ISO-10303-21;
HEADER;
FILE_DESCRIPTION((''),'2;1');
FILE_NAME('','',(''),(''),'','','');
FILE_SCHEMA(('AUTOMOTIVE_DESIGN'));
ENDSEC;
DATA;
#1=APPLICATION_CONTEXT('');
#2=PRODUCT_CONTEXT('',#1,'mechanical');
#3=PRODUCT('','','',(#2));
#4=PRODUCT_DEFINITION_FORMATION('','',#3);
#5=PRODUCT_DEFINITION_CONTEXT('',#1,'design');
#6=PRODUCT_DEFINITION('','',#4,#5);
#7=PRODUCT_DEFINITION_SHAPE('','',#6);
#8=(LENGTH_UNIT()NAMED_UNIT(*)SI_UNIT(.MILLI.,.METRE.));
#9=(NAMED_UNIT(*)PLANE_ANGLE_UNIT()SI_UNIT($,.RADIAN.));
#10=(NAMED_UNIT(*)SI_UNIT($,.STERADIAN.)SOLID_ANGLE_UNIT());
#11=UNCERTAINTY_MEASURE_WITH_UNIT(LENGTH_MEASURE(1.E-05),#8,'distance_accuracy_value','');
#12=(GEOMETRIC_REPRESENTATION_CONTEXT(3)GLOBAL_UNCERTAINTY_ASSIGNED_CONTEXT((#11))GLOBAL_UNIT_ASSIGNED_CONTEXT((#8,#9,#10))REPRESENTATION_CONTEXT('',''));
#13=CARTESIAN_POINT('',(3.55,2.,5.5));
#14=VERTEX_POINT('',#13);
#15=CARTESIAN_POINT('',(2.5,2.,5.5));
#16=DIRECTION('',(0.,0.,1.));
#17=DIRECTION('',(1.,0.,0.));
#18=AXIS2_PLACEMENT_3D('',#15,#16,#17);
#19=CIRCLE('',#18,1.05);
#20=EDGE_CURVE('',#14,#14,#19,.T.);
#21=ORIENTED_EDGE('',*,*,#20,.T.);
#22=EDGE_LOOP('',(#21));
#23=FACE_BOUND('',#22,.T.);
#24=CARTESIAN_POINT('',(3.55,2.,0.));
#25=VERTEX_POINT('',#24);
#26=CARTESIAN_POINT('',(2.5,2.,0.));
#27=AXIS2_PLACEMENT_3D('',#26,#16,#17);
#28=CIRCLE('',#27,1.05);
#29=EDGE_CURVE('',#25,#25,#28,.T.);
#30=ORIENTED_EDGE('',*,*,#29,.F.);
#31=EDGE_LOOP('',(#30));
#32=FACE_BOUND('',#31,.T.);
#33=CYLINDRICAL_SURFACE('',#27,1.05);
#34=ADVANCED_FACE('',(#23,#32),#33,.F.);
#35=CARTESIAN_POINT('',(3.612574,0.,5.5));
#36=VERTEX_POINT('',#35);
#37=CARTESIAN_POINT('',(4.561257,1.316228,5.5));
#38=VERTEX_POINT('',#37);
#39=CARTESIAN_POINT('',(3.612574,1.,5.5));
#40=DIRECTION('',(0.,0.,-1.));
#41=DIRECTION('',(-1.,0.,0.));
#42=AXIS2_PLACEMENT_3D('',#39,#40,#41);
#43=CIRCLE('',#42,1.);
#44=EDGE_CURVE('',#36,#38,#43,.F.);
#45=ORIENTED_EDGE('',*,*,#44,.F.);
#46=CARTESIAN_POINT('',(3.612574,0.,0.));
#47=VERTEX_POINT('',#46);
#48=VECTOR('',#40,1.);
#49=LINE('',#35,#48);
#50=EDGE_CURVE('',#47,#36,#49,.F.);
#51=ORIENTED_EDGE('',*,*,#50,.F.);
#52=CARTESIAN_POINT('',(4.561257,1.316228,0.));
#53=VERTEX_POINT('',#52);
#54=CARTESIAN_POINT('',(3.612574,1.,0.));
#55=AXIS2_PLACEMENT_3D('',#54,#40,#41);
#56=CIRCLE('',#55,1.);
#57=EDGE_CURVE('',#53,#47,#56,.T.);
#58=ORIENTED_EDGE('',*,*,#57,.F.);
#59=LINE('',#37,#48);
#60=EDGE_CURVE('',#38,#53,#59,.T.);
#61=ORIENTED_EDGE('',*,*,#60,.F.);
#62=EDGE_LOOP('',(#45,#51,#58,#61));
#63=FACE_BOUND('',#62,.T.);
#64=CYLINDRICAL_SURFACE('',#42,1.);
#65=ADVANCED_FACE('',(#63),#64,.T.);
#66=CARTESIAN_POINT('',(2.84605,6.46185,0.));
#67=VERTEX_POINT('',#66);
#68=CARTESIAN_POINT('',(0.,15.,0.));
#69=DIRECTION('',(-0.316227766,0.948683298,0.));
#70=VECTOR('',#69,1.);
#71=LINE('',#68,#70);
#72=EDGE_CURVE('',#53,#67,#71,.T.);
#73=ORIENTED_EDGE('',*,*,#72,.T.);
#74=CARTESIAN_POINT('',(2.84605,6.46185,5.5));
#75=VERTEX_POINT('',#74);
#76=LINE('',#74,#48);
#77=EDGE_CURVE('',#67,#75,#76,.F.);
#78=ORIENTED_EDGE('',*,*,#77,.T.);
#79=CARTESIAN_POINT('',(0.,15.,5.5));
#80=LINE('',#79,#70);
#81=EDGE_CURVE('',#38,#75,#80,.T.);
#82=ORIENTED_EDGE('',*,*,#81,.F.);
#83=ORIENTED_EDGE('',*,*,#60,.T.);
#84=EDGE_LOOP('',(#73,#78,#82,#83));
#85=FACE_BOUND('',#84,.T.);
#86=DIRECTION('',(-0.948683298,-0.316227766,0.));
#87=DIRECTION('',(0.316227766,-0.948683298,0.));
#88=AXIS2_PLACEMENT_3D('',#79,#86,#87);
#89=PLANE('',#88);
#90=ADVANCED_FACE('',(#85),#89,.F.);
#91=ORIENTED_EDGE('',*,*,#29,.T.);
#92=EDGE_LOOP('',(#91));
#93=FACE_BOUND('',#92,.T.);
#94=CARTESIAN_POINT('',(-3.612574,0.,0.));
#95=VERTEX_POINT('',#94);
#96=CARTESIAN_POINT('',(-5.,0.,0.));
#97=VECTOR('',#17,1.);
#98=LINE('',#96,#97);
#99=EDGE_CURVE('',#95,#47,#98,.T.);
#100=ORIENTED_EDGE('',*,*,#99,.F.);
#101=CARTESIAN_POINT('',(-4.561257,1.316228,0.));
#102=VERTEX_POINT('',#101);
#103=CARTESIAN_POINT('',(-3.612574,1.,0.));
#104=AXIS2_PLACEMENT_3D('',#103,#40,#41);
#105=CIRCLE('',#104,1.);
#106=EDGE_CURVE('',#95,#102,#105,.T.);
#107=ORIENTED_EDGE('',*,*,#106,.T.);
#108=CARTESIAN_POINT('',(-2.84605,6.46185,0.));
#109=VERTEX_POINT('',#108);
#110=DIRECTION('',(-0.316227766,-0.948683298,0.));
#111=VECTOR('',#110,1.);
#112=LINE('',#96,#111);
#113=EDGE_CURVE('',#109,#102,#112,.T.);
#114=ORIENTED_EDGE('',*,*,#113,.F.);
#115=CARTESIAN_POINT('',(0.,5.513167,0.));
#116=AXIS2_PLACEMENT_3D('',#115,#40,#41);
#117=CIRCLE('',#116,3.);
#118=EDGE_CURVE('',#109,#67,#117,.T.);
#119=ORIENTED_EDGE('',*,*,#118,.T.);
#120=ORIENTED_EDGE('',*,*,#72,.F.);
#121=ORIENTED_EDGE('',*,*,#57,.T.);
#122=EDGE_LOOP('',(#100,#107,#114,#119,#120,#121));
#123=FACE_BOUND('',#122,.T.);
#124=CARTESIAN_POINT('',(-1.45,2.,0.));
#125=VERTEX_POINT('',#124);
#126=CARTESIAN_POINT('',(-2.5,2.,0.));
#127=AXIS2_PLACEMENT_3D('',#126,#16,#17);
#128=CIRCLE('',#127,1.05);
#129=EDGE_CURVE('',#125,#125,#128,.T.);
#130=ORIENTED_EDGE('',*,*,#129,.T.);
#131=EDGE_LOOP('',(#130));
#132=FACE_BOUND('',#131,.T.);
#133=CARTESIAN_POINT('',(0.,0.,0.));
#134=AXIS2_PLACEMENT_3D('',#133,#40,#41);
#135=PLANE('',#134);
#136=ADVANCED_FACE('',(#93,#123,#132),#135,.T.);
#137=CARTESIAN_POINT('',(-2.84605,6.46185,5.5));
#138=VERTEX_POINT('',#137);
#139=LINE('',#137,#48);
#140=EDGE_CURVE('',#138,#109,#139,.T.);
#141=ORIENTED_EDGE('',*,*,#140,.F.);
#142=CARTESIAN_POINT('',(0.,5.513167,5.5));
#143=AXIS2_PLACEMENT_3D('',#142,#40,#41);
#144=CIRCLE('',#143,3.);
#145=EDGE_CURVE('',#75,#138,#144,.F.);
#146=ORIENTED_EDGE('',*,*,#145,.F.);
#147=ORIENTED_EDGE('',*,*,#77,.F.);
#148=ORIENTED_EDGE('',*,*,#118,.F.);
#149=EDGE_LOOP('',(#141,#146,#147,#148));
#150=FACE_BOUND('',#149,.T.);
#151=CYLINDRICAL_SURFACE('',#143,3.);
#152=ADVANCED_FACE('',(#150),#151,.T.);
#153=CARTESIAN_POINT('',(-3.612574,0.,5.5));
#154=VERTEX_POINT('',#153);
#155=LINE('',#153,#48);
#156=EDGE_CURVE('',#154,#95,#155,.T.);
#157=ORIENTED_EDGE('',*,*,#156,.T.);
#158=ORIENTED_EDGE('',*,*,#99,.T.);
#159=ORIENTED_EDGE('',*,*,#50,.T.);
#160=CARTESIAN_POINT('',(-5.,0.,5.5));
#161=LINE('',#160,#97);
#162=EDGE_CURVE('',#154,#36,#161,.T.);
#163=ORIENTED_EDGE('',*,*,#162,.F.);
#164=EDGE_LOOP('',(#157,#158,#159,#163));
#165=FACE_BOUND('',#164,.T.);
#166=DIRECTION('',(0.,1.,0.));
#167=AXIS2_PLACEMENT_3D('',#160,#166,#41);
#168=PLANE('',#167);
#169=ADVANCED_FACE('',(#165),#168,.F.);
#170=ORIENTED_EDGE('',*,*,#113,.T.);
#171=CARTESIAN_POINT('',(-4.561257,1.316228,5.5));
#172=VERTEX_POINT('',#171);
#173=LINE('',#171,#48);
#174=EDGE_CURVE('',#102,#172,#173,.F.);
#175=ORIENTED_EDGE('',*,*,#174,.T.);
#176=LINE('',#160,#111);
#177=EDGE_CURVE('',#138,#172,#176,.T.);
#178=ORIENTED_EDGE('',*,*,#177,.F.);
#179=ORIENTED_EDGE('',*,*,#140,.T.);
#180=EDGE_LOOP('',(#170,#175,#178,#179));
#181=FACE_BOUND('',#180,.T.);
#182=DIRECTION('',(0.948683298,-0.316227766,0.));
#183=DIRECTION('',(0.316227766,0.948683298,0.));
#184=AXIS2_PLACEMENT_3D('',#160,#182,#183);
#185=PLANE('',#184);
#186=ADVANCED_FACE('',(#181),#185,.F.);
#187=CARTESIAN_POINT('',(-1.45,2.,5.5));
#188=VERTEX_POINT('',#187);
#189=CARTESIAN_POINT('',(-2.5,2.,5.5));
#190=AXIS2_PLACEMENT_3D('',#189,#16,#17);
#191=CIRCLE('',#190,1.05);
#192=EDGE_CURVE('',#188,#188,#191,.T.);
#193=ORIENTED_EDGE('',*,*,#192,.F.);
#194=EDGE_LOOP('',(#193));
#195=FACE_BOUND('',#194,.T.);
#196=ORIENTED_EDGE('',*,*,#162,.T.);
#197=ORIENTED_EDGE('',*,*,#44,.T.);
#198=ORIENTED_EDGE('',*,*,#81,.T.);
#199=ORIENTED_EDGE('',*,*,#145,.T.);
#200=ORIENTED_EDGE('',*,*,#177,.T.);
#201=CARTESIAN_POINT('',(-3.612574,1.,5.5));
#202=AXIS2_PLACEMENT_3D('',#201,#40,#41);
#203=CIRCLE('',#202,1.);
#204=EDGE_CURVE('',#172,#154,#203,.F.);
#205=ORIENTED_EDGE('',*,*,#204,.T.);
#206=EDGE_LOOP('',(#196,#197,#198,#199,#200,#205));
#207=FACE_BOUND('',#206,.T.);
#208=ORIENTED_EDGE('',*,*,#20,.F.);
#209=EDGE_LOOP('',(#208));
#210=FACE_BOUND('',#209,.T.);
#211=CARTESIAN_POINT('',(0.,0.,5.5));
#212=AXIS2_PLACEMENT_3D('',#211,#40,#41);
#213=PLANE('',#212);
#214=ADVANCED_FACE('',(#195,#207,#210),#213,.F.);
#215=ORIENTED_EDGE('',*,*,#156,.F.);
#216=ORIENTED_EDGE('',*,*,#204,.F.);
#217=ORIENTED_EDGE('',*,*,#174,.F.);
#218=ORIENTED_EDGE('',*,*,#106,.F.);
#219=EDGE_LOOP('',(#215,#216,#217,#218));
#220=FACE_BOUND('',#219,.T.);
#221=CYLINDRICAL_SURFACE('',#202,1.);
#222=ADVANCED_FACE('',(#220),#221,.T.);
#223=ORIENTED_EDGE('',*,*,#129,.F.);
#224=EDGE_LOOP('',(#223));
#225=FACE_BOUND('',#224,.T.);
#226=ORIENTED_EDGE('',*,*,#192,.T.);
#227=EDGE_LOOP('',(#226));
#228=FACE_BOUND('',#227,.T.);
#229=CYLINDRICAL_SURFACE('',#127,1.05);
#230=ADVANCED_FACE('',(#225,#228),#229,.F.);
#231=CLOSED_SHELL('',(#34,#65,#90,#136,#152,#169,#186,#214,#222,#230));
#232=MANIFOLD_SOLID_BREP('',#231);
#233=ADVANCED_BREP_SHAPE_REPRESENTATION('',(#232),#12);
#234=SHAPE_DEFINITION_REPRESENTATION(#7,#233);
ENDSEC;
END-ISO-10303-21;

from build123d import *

# Parameters (mm, degrees)
EXTRUDE_1_DEPTH     = 5.5
FILLET_1_R          = 1
SKETCH_2_R          = 1.05
CUT_EXTRUDE_1_DEPTH = 17.629066118
FILLET_2_R          = 3


with BuildPart() as part:
    # ｽｹｯﾁ1 → ﾎﾞｽ - 押し出し1 (new body)
    with BuildSketch(Plane.XY):
        Polygon((-5, 0), (5, 0), (0, 15), align=None)
    extrude(amount=EXTRUDE_1_DEPTH)

    # ﾌｨﾚｯﾄ1
    fillet_1_edges = [part.edges().sort_by_distance(p)[0] for p in [
        (5, 0, 2.75),
        (-5, 0, 2.75),
    ]]
    fillet(fillet_1_edges, radius=FILLET_1_R)

    # ｽｹｯﾁ2 → ｶｯﾄ - 押し出し1 (cut, through all)
    with BuildSketch(Plane.XY.offset(5.5)):
        with Locations((-2.5, 2)):
            Circle(SKETCH_2_R)
        with Locations((2.5, 2)):
            Circle(SKETCH_2_R)
    extrude(amount=-CUT_EXTRUDE_1_DEPTH, mode=Mode.SUBTRACT)

    # ﾌｨﾚｯﾄ2
    fillet_2_edges = [part.edges().sort_by_distance(p)[0] for p in [
        (0, 15, 2.75),
    ]]
    fillet(fillet_2_edges, radius=FILLET_2_R)


solid = part.part
